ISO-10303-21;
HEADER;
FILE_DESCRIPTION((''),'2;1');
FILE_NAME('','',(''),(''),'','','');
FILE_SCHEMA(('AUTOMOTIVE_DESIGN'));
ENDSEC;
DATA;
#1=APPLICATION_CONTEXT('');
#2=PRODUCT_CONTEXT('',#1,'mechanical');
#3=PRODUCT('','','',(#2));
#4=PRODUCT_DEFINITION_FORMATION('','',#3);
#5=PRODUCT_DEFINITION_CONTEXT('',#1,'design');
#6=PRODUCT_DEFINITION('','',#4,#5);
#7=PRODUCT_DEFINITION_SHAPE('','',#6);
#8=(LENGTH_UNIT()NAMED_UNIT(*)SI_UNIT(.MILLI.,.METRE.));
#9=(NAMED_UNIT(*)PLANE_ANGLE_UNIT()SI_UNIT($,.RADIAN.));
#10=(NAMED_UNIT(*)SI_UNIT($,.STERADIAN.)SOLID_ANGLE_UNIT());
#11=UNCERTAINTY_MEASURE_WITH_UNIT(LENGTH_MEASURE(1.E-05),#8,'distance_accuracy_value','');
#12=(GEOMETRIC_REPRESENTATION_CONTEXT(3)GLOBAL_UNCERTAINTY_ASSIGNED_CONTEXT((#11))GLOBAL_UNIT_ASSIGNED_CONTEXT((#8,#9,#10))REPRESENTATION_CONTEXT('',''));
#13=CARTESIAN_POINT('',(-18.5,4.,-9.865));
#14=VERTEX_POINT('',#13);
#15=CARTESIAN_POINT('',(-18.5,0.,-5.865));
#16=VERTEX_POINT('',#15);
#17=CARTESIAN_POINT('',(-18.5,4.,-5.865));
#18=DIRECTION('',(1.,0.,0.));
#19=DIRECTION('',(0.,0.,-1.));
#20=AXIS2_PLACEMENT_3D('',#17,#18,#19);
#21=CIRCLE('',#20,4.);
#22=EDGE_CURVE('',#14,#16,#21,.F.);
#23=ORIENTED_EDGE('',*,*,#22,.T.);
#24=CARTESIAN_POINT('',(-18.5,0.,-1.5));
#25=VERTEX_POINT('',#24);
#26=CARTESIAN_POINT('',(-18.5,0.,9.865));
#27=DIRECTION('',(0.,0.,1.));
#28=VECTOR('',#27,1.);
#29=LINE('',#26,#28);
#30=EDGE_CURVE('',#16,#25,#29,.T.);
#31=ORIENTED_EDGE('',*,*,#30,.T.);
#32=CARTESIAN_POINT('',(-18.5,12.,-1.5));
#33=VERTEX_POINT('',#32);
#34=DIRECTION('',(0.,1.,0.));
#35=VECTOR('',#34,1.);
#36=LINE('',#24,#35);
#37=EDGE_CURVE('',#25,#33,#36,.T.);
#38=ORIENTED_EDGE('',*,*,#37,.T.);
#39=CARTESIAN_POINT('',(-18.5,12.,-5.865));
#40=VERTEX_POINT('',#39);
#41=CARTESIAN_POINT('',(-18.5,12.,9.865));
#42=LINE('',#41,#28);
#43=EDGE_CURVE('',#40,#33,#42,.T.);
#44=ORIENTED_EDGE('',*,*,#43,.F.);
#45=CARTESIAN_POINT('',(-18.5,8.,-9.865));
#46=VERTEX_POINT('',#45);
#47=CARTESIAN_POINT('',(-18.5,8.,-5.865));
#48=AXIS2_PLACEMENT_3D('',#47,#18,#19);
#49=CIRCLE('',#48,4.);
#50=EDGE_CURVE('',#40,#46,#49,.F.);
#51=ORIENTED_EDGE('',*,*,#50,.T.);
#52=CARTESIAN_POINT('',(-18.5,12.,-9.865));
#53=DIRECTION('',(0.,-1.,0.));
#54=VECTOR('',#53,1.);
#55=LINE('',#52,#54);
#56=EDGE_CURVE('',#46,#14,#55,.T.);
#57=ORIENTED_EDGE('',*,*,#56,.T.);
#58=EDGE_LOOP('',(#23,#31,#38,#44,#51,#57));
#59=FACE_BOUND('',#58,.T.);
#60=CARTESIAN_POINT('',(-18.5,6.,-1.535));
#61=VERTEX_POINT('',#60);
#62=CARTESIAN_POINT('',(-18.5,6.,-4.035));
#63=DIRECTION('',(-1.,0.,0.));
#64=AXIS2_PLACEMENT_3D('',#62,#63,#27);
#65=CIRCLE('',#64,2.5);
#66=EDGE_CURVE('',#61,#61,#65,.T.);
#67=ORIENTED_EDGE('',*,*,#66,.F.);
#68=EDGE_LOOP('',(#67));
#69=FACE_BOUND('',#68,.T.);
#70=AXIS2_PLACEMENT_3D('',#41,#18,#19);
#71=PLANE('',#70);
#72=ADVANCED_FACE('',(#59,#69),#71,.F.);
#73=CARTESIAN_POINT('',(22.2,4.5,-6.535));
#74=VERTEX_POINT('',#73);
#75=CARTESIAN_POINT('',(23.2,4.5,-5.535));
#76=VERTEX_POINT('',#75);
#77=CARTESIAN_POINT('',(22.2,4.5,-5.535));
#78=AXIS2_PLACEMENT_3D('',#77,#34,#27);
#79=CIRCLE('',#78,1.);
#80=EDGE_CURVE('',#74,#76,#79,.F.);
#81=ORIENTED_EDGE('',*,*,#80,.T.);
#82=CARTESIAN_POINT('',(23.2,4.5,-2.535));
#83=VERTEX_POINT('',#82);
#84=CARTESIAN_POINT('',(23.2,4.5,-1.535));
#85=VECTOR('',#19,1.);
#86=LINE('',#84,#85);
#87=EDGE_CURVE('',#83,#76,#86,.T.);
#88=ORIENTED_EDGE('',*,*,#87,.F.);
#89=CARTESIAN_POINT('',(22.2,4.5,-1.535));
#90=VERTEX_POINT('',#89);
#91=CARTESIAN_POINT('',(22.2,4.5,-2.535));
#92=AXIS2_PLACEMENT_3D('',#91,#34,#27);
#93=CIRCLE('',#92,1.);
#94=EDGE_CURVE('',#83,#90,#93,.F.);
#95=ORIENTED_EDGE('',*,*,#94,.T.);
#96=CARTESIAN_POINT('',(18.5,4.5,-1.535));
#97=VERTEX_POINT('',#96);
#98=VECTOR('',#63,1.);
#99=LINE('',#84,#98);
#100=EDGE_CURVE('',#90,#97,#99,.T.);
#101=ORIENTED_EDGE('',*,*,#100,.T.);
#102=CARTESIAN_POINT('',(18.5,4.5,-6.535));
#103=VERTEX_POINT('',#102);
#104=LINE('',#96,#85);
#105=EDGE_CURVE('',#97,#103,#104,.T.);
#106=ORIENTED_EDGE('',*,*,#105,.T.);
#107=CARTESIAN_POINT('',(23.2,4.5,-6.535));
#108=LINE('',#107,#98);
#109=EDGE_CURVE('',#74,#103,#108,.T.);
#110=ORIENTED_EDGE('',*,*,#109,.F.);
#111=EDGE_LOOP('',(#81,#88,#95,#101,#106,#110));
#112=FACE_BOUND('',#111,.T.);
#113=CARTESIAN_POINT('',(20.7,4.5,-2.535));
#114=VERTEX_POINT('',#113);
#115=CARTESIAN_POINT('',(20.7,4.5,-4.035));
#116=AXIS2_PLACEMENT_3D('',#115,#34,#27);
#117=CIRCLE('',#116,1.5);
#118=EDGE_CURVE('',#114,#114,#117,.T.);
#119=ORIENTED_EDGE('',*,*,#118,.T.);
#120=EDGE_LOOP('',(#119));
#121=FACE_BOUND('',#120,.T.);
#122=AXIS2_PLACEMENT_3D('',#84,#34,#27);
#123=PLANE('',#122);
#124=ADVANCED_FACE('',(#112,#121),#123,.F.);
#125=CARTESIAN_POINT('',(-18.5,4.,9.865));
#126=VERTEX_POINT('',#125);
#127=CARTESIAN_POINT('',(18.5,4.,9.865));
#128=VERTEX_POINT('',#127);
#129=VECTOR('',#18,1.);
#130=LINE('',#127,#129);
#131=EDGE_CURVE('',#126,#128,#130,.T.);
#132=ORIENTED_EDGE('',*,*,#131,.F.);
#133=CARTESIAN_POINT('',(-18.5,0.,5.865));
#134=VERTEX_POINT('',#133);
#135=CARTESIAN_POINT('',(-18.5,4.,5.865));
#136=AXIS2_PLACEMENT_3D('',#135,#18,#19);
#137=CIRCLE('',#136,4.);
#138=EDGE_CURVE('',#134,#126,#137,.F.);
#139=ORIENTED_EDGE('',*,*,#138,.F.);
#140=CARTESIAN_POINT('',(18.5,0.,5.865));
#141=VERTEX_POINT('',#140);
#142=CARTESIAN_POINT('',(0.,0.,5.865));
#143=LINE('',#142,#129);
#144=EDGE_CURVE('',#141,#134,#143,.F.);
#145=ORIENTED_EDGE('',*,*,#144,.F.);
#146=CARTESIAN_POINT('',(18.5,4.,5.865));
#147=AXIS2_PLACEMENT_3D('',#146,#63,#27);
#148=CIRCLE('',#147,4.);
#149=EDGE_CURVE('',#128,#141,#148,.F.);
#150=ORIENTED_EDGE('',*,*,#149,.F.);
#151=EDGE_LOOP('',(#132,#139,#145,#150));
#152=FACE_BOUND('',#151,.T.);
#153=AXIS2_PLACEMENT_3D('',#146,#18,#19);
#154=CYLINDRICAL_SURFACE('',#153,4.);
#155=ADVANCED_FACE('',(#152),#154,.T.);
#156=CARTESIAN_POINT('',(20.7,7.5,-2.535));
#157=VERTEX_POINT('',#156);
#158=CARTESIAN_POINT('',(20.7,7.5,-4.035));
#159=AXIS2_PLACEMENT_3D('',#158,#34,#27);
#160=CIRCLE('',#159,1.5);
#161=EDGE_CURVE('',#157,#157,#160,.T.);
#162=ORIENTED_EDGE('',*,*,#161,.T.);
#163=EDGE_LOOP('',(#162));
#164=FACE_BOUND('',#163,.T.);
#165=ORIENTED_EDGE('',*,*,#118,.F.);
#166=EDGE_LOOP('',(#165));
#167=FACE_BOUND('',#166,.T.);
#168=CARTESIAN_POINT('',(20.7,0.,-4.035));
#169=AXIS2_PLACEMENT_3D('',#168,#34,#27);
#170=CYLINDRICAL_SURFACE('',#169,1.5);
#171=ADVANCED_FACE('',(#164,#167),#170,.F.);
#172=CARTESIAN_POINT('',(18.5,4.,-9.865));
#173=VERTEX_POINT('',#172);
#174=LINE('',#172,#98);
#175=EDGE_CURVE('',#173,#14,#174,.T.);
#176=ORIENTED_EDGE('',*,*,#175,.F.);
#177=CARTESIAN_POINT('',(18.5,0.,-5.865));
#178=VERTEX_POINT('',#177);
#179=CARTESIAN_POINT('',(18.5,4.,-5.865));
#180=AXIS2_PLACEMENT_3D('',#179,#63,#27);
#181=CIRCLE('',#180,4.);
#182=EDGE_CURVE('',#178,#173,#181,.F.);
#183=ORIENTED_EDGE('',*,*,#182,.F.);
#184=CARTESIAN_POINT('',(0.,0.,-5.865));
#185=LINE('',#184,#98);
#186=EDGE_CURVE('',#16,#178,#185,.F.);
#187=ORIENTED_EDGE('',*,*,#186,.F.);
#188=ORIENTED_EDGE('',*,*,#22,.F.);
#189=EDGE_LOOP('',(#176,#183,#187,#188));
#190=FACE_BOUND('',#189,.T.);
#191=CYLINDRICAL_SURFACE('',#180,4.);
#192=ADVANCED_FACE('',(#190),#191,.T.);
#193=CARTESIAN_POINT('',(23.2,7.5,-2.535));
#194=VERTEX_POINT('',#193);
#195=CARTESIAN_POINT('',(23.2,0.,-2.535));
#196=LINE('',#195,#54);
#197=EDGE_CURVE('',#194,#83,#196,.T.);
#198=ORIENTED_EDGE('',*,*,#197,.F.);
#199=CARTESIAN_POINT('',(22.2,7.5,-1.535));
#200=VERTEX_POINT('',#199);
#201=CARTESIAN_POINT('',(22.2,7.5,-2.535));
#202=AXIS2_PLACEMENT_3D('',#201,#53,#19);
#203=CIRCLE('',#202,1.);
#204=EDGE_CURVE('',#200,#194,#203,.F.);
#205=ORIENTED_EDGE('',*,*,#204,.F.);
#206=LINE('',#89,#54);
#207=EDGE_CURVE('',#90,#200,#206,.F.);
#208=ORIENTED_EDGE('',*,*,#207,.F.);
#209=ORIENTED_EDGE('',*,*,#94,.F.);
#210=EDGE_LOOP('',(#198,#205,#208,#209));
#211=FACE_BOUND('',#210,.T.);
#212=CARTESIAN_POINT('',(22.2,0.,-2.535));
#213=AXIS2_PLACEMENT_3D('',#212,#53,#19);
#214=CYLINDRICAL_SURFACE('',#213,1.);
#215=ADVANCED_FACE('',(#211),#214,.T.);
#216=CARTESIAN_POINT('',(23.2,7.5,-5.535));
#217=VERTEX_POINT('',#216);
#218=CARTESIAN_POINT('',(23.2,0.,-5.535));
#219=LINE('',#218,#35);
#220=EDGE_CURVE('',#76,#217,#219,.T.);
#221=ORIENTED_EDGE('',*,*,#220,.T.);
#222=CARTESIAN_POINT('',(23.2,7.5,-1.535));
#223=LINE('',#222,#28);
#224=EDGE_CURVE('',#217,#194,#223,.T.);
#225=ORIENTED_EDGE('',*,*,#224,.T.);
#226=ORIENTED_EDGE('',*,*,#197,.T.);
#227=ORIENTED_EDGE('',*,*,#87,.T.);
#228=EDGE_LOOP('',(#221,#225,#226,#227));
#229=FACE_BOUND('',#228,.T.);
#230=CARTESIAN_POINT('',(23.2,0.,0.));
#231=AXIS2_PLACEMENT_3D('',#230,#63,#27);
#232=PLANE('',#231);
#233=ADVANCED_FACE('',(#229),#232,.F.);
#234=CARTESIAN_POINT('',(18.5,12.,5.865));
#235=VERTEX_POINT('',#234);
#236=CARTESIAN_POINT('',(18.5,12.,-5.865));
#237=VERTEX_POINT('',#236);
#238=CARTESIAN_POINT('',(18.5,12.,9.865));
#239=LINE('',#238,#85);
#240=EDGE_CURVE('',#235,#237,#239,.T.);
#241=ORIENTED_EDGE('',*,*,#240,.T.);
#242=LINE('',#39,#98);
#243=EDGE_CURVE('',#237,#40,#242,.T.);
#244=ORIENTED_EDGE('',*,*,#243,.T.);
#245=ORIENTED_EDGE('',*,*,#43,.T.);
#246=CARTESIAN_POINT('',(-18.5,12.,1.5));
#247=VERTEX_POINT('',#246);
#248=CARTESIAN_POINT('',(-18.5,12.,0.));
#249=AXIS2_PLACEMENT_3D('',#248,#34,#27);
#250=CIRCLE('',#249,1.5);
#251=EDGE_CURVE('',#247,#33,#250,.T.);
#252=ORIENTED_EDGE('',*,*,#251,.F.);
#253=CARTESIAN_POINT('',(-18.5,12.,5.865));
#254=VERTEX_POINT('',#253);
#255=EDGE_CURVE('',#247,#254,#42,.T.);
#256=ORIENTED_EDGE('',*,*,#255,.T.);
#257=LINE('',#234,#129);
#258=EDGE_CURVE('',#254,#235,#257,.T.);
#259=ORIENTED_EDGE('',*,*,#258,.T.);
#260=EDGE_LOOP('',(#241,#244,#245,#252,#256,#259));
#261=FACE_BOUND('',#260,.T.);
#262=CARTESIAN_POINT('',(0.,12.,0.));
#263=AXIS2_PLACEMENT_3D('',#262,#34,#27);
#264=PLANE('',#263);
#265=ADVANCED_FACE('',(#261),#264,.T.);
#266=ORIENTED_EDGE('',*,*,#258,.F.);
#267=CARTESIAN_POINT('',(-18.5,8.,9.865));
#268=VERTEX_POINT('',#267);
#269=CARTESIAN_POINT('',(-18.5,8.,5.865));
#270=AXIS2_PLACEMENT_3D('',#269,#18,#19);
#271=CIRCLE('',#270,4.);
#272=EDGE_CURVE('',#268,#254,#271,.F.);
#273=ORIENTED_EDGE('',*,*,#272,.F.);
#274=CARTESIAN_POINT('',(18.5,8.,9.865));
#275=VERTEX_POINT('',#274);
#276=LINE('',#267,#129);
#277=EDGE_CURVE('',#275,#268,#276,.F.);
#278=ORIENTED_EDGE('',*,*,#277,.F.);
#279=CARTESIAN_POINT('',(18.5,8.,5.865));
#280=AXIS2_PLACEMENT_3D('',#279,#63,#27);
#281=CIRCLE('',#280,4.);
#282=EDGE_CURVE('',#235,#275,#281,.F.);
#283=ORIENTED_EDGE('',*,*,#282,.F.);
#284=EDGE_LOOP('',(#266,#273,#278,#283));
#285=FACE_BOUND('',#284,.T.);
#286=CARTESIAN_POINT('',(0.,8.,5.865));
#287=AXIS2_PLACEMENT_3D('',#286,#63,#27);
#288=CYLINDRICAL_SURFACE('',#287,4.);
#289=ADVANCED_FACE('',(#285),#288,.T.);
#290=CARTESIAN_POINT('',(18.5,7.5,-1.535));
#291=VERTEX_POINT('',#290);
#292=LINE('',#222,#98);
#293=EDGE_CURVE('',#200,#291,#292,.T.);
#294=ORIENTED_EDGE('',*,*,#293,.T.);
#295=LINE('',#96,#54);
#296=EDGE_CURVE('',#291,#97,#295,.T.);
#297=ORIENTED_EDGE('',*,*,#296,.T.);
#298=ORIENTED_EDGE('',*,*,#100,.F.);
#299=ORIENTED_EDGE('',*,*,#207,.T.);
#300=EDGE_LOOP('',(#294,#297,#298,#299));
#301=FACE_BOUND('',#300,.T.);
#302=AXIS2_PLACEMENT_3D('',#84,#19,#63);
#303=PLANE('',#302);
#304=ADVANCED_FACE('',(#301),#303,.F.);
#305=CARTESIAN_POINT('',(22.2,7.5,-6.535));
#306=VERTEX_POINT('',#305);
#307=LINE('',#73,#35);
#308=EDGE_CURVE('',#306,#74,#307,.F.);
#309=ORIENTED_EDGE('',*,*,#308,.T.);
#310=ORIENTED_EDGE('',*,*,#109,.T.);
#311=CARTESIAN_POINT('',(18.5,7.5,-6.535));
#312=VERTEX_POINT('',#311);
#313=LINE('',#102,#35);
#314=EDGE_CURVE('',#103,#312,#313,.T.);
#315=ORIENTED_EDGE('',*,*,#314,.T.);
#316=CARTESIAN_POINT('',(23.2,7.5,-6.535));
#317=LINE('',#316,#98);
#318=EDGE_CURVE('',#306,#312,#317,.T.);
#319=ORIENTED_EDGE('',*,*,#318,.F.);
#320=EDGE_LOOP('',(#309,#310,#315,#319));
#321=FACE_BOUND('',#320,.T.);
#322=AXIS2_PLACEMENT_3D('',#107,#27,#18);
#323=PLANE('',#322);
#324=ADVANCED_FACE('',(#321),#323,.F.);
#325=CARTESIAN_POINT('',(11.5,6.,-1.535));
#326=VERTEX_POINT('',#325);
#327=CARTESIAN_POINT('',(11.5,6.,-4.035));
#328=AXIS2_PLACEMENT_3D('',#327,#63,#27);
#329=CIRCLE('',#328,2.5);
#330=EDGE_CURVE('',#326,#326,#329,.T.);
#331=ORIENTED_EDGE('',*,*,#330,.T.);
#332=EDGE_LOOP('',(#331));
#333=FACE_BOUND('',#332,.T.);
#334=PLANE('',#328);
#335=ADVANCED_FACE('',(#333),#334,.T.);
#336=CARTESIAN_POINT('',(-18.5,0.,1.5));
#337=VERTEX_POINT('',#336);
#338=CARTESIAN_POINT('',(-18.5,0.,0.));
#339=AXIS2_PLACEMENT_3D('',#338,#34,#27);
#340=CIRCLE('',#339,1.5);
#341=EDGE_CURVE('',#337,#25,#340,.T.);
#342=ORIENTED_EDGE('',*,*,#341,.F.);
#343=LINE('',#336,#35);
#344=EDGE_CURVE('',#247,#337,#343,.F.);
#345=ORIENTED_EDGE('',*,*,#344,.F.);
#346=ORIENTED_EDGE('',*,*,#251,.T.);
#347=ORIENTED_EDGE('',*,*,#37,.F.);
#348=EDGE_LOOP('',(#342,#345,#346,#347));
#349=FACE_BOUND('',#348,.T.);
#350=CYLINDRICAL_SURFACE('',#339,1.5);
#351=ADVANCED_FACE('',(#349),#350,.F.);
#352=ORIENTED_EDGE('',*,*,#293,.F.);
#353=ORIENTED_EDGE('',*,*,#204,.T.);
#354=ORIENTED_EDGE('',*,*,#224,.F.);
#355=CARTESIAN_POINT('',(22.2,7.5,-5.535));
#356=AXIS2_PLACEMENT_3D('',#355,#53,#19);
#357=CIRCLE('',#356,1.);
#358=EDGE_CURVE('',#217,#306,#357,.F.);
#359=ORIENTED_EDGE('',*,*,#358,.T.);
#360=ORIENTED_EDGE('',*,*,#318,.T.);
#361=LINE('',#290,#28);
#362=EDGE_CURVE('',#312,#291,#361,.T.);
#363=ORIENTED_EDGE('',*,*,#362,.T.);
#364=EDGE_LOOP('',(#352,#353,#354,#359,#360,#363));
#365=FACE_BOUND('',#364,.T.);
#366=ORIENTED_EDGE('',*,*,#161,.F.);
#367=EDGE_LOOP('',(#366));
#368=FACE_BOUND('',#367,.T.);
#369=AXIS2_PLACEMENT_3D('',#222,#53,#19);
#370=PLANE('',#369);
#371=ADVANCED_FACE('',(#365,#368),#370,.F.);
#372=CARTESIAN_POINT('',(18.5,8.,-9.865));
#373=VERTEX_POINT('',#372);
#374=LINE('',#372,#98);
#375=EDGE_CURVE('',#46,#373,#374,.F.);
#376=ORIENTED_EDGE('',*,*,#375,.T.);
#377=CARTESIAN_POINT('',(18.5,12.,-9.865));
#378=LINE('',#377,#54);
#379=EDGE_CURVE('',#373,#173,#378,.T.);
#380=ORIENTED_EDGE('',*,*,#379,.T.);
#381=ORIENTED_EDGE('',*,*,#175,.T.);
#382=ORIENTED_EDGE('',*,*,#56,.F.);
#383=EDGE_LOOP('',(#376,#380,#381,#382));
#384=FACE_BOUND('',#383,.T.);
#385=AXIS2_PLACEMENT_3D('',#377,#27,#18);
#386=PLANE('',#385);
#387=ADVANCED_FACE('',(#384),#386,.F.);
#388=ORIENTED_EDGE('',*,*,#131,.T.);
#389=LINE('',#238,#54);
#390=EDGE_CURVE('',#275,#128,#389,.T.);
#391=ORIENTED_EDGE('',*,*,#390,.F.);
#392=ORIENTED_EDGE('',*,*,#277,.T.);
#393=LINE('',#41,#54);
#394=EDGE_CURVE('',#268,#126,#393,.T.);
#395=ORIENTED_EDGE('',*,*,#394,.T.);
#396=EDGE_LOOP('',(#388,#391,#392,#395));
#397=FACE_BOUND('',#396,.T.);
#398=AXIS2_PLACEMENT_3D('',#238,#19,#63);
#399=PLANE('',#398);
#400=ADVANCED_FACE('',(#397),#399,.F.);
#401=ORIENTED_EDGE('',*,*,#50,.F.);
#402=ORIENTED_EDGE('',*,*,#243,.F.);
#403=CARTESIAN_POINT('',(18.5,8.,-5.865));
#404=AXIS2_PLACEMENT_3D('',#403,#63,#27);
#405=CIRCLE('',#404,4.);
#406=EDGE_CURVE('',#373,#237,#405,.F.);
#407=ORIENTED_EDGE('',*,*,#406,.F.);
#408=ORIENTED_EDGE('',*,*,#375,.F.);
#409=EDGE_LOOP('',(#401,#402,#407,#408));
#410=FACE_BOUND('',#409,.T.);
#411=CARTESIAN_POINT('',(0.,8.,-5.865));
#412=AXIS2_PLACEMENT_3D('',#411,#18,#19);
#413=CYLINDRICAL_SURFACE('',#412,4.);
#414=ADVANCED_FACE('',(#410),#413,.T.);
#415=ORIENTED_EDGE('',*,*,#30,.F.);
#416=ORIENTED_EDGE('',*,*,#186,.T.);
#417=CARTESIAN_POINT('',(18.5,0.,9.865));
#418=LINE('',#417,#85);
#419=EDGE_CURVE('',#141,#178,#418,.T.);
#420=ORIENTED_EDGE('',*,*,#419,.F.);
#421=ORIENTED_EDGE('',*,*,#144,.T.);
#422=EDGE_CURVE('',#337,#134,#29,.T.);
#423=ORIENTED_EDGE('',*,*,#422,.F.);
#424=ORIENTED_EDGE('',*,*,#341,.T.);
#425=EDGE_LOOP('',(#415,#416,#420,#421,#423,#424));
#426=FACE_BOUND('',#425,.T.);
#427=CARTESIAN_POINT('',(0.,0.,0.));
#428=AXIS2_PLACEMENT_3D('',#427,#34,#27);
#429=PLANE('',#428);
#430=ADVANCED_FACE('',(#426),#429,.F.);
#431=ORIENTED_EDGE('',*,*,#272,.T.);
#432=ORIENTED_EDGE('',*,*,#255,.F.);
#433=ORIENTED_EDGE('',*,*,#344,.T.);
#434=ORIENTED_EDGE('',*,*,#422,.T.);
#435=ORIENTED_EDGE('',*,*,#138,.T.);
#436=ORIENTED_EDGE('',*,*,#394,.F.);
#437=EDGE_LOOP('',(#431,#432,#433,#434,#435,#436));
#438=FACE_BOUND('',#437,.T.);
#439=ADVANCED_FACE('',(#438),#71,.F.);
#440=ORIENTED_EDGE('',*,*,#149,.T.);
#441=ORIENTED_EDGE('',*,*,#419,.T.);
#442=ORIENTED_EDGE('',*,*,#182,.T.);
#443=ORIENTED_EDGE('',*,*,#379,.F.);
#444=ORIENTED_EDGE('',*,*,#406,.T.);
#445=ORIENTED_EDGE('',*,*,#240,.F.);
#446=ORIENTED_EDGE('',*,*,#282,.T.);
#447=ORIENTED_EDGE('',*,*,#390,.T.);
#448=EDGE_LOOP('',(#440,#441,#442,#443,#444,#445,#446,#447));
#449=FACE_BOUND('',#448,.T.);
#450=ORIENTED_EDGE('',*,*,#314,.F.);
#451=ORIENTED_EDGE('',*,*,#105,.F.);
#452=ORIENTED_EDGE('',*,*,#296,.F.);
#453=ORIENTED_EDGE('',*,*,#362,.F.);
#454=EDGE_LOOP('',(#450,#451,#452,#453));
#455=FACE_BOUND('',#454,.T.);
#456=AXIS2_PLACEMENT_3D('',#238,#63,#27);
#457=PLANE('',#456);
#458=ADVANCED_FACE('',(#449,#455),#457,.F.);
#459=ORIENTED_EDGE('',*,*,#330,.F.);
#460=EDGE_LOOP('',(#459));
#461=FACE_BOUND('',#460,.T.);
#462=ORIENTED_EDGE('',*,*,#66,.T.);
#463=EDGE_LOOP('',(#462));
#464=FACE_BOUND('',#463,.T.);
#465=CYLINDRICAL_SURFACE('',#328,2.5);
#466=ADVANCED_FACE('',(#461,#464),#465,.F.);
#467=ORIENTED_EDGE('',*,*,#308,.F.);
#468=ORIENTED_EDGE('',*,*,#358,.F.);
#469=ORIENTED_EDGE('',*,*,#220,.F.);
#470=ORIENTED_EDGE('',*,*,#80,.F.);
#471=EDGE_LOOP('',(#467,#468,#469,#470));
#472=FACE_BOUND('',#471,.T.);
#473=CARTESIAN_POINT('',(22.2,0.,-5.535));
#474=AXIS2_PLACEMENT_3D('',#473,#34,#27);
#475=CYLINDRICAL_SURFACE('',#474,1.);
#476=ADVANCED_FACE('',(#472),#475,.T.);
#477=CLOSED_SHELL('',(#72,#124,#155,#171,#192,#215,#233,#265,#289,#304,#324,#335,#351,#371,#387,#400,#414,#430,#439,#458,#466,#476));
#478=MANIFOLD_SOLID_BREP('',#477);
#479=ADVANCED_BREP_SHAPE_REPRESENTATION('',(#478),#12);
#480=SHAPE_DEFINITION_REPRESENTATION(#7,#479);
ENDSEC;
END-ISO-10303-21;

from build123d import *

# Parameters (mm, degrees)
SKETCH_1_W          = 37
SKETCH_1_H          = 19.73
EXTRUDE_1_DEPTH     = 12
SKETCH_2_R          = 1.5
CUT_EXTRUDE_1_DEPTH = 25.157156807
FILLET_2_R          = 4
SKETCH_3_R          = 2.5
CUT_EXTRUDE_2_DEPTH = 30
SKETCH_4_W          = 5
SKETCH_4_H          = 3
EXTRUDE_2_DEPTH     = 4.7
SKETCH_5_R          = 1.5
CUT_EXTRUDE_3_DEPTH = 27.302247528
FILLET_3_R          = 1


with BuildPart() as part:
    # 草图1 → 凸台-拉伸1 (new body)
    with BuildSketch(Plane(origin=(0, 0, 0), x_dir=(1, 0, 0), z_dir=(0, 1, 0))):
        Rectangle(SKETCH_1_W, SKETCH_1_H)
    extrude(amount=EXTRUDE_1_DEPTH)

    # 草图2 → 切除-拉伸1 (cut, through all)
    with BuildSketch(Plane(origin=(0, 12, 0), x_dir=(1, 0, 0), z_dir=(0, 1, 0))):
        with Locations((-18.5, 0)):
            Circle(SKETCH_2_R)
    extrude(amount=-CUT_EXTRUDE_1_DEPTH, mode=Mode.SUBTRACT)

    # 圆角2
    fillet_2_edges = [part.edges().sort_by_distance(p)[0] for p in [
        (0, 12, -9.865),
        (0, 0, -9.865),
        (0, 0, 9.865),
        (0, 12, 9.865),
    ]]
    fillet(fillet_2_edges, radius=FILLET_2_R)

    # 草图3 → 切除-拉伸2 (cut)
    with BuildSketch(Plane.ZY.offset(18.5)):
        with Locations((-4.035, 6)):
            Circle(SKETCH_3_R)
    extrude(amount=-CUT_EXTRUDE_2_DEPTH, mode=Mode.SUBTRACT)

    # 草图4 → 凸台-拉伸2 (add)
    with BuildSketch(Plane(origin=(18.5, 0, 0), x_dir=(0, 0, -1), z_dir=(1, 0, 0))):
        with Locations((4.035, 6)):
            Rectangle(SKETCH_4_W, SKETCH_4_H)
    extrude(amount=EXTRUDE_2_DEPTH)

    # 草图5 → 切除-拉伸3 (cut, through all)
    with BuildSketch(Plane(origin=(0, 7.5, 0), x_dir=(1, 0, 0), z_dir=(0, 1, 0))):
        with Locations(Location((20.7, 4.035, 0), (0, 0, 270))):
            Circle(SKETCH_5_R)
    extrude(amount=-CUT_EXTRUDE_3_DEPTH, mode=Mode.SUBTRACT)

    # 圆角3
    fillet_3_edges = [part.edges().sort_by_distance(p)[0] for p in [
        (23.2, 6, -6.535),
        (23.2, 6, -1.535),
    ]]
    fillet(fillet_3_edges, radius=FILLET_3_R)


solid = part.part
